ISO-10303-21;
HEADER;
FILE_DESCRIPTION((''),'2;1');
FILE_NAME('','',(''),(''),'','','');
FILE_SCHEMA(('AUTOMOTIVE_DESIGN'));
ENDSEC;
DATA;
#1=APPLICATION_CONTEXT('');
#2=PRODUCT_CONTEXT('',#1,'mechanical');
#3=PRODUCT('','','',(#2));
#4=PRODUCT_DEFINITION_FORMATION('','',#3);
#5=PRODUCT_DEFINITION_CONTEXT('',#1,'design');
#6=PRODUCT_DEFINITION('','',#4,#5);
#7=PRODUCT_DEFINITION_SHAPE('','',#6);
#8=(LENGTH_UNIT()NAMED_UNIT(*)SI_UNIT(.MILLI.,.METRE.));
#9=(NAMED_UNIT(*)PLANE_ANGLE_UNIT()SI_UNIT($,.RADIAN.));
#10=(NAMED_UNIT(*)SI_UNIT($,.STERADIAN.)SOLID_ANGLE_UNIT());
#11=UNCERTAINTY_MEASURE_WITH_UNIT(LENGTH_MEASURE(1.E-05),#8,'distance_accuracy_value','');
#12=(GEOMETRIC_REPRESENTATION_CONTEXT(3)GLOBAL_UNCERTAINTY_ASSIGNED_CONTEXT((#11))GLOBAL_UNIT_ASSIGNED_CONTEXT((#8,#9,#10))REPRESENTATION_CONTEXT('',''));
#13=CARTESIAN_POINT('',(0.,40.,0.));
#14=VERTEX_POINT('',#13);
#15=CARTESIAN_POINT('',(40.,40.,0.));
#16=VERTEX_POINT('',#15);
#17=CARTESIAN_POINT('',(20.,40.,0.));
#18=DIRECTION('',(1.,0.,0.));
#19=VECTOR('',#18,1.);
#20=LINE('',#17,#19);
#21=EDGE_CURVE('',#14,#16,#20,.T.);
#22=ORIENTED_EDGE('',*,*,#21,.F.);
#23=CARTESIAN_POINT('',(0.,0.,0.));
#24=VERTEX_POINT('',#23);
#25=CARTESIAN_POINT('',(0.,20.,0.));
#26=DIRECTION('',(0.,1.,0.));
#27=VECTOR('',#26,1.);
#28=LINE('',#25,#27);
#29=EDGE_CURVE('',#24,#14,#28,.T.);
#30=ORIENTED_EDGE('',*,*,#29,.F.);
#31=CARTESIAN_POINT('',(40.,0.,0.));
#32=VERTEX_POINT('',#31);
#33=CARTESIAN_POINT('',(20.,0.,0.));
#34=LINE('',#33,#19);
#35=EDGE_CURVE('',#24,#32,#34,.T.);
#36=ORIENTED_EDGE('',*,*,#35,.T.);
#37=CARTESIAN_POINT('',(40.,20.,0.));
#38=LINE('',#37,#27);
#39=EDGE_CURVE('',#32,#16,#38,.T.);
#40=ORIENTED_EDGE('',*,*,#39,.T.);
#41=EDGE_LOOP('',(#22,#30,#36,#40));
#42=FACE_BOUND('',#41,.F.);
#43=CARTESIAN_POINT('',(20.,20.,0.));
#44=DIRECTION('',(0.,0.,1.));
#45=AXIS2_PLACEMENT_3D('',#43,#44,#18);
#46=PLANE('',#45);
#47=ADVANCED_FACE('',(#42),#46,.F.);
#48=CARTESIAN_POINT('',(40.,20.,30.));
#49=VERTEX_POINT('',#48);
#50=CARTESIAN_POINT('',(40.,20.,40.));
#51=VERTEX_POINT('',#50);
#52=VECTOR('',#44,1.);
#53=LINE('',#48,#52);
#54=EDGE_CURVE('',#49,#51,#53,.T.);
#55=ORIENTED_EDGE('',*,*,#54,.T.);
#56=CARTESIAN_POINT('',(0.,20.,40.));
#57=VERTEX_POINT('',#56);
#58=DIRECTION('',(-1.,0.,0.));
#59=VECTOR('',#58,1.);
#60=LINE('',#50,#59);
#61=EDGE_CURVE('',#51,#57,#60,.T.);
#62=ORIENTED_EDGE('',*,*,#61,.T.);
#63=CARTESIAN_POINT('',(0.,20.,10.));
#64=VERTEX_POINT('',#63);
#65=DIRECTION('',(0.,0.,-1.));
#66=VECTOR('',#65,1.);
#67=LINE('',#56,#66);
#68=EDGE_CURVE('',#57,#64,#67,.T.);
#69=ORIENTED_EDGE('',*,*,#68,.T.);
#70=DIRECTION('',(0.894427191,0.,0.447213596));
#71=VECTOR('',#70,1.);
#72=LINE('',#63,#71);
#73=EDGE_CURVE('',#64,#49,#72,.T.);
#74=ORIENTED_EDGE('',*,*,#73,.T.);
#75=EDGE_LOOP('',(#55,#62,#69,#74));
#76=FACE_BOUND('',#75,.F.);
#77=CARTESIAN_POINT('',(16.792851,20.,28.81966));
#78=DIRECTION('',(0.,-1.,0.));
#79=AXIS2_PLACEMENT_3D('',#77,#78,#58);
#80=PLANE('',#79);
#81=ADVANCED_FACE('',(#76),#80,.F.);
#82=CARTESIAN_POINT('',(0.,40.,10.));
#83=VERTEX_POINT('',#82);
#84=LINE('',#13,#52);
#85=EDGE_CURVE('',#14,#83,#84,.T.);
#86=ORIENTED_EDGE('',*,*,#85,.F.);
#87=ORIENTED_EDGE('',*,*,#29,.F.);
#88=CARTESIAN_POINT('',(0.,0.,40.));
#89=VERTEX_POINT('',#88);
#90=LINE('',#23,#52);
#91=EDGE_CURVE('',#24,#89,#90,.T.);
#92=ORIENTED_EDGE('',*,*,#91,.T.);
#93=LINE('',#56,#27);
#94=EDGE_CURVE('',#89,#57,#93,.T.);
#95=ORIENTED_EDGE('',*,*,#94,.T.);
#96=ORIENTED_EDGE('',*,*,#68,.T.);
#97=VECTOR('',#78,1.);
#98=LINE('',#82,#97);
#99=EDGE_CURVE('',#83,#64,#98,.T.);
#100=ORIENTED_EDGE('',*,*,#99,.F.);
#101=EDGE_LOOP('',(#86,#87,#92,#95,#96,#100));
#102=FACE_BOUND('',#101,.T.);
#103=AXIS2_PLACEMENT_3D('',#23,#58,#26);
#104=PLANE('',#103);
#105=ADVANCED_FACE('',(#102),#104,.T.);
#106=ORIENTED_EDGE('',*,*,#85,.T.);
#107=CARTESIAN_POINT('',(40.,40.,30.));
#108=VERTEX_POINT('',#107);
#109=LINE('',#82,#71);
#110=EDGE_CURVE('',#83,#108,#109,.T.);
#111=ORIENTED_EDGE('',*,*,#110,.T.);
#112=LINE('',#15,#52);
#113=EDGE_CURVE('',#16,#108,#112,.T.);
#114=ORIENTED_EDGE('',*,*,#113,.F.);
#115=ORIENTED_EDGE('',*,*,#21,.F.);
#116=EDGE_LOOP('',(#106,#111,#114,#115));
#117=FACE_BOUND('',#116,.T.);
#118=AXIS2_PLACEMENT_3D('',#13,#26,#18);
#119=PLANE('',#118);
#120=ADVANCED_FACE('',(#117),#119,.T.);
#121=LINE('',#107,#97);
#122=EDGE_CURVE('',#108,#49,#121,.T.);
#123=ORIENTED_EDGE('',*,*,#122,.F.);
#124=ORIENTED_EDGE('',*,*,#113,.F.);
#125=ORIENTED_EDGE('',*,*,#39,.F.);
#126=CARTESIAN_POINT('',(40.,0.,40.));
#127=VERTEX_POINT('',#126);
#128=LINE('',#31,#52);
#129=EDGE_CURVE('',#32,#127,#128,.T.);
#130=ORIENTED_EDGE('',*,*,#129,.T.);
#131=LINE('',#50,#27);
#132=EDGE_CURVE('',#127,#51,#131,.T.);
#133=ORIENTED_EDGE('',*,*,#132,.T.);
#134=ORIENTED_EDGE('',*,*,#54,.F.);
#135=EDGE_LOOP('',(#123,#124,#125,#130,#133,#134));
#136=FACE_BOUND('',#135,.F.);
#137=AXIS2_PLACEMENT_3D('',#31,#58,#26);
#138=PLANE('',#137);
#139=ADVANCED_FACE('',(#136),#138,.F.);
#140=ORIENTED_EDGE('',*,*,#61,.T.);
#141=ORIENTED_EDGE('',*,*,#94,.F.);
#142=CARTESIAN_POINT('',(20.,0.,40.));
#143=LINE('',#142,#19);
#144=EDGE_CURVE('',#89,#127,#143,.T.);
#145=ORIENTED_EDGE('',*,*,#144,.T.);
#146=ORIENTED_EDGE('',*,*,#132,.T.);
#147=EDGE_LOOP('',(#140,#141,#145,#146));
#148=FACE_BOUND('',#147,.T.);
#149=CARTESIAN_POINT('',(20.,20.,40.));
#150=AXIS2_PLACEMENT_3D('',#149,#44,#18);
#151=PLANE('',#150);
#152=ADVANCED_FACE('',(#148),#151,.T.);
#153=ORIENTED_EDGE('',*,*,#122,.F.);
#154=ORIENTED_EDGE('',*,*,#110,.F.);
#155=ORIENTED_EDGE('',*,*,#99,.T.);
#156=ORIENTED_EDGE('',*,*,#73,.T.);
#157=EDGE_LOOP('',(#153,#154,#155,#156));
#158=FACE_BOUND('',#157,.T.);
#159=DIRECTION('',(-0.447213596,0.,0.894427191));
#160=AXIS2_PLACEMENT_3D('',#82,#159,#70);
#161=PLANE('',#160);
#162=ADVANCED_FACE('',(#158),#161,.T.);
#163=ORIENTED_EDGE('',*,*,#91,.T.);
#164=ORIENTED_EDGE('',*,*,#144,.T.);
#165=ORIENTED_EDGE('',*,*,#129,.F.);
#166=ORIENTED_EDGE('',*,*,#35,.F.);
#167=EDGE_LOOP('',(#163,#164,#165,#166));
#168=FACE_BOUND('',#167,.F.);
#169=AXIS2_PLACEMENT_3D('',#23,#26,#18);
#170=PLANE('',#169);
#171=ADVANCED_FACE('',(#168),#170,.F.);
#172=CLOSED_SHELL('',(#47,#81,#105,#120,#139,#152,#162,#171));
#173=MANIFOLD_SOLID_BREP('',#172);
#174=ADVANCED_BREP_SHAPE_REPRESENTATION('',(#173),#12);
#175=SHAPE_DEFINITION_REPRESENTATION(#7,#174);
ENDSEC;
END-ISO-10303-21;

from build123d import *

# Parameters (mm, degrees)
SKETCH1_W           = 40
SKETCH1_H           = 40
BOSS_EXTRUDE1_DEPTH = 40
CUT_EXTRUDE1_DEPTH  = 20


with BuildPart() as part:
    # Sketch1 → Boss-Extrude1 (new body)
    with BuildSketch(Plane.XY):
        with Locations((20, 20)):
            Rectangle(SKETCH1_W, SKETCH1_H)
    extrude(amount=BOSS_EXTRUDE1_DEPTH)

    # Sketch3 → Cut-Extrude1 (cut)
    with BuildSketch(Plane(origin=(0, 40, 0), x_dir=(1, 0, 0), z_dir=(0, 1, 0))):
        Polygon((0, -10), (40, -30), (40, -40), (0, -40), align=None)
    extrude(amount=-CUT_EXTRUDE1_DEPTH, mode=Mode.SUBTRACT)


solid = part.part
